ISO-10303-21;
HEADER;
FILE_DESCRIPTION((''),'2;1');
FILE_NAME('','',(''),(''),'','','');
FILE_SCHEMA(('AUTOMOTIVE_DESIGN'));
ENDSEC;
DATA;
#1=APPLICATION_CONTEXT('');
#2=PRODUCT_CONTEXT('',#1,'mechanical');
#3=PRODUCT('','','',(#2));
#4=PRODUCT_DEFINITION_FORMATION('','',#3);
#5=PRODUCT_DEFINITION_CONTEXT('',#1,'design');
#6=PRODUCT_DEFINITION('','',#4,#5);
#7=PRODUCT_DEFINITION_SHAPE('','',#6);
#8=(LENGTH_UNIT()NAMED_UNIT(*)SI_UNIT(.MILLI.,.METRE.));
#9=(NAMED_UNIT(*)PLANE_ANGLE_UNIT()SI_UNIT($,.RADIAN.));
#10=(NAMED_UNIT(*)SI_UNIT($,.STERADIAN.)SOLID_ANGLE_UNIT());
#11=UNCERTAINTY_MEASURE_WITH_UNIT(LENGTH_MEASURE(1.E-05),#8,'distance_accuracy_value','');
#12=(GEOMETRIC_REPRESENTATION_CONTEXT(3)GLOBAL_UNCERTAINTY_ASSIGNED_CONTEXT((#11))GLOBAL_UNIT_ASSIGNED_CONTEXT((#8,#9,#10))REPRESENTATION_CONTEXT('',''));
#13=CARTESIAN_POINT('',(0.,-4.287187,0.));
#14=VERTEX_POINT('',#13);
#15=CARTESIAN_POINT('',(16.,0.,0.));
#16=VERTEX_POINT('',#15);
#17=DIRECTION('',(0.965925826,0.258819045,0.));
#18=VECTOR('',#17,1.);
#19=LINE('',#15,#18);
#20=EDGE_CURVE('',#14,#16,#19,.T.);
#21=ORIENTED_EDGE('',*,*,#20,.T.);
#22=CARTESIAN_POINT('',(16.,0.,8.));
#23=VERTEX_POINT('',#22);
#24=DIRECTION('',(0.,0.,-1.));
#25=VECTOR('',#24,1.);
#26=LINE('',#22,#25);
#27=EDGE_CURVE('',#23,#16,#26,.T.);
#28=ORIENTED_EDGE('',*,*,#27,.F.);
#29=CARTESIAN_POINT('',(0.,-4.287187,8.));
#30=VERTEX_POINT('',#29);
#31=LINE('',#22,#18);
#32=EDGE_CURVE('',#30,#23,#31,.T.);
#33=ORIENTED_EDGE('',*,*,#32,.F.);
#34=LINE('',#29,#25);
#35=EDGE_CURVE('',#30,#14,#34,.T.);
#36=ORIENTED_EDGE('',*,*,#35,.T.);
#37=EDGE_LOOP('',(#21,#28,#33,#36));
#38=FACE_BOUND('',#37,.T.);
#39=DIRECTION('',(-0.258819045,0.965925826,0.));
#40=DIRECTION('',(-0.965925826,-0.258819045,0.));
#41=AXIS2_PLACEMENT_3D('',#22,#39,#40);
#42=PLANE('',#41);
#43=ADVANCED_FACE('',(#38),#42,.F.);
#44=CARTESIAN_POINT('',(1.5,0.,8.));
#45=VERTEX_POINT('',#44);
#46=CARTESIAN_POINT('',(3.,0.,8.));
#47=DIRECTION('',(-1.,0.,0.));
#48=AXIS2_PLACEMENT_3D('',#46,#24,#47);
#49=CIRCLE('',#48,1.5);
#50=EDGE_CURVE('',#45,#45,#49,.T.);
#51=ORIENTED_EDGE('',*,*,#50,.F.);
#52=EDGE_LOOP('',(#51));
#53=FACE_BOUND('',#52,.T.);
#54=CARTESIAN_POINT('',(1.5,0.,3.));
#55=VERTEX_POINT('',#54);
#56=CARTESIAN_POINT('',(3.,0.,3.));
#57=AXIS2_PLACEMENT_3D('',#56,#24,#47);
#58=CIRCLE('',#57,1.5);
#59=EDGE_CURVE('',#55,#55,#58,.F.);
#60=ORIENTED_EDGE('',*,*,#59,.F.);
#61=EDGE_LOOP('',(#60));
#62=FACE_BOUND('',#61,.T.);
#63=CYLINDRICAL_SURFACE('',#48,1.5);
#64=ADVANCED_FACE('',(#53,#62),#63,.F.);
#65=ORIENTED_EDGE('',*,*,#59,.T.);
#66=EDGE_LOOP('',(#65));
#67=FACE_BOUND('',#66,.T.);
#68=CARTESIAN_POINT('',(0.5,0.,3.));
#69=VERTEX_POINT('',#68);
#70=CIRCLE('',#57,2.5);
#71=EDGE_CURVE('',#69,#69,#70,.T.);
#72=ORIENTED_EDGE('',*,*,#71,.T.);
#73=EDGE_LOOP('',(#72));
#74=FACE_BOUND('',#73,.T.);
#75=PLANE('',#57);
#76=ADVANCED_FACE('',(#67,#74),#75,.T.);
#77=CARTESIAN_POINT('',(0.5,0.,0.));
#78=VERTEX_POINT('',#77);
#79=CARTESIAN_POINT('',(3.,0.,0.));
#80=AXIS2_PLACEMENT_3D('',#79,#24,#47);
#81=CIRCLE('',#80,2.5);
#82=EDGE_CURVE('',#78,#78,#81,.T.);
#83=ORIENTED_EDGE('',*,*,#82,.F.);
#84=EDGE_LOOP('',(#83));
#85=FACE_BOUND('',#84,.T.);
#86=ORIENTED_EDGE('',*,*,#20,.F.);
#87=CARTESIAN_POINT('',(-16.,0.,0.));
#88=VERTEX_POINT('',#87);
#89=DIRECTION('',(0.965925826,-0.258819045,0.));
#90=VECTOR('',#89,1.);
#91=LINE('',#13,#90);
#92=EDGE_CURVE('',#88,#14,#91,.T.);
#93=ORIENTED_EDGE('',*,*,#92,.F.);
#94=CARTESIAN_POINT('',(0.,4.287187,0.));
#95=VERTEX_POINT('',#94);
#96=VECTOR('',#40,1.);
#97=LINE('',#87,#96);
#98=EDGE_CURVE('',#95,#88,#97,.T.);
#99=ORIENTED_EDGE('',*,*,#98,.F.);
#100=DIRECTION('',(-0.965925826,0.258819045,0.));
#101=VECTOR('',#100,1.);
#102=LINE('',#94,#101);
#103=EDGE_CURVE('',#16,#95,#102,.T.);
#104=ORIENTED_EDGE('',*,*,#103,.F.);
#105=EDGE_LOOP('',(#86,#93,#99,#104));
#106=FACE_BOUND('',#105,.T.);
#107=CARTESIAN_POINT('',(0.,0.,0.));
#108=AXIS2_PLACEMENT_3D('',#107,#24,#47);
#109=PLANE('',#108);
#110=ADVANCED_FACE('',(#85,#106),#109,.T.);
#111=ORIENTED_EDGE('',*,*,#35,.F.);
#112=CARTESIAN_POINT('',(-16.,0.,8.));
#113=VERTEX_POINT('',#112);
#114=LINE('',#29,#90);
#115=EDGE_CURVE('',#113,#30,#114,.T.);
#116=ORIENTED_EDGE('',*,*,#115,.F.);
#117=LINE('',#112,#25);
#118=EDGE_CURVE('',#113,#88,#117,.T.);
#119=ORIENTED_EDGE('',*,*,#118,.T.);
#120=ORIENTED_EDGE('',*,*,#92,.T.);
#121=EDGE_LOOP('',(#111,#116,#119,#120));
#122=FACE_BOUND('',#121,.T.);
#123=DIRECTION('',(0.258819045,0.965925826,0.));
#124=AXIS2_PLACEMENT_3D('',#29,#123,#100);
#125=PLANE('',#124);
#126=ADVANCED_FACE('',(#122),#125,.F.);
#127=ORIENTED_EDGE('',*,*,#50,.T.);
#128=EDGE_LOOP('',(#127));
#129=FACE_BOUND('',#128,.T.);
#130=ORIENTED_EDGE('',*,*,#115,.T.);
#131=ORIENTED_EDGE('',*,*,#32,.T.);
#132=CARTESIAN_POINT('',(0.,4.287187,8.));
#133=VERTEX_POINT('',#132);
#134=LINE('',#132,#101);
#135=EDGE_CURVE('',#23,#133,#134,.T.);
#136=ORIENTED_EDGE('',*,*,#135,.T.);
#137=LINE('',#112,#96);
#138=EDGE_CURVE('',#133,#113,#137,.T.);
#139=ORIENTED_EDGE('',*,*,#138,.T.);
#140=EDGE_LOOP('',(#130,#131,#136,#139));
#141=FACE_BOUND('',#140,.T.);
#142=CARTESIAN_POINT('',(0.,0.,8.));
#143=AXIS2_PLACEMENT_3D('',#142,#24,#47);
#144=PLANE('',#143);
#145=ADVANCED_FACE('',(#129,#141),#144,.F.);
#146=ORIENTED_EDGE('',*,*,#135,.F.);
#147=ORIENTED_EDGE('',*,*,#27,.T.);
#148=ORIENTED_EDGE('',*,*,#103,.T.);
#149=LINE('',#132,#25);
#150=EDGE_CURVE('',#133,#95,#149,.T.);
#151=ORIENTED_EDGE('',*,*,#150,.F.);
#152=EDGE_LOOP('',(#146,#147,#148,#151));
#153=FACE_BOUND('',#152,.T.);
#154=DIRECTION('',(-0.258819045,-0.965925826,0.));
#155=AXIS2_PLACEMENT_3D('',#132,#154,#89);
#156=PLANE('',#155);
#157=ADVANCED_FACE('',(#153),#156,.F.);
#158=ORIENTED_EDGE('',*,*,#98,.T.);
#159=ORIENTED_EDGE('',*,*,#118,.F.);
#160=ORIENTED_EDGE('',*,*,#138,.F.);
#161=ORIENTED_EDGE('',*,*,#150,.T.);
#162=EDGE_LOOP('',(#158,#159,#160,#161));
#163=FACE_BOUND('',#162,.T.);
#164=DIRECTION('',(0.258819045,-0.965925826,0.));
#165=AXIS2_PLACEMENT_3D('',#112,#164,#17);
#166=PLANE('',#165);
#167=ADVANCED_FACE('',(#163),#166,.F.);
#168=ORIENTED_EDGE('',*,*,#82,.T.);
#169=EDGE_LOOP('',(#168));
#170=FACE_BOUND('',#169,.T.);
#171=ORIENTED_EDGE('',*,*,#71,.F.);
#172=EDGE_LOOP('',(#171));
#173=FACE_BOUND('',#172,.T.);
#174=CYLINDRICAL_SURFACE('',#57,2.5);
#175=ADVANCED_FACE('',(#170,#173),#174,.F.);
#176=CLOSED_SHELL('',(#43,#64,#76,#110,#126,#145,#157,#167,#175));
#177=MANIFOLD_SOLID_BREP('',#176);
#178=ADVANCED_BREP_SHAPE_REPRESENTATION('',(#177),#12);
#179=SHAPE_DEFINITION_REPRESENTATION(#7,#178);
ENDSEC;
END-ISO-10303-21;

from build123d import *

# Parameters (mm, degrees)
EXTRUDE_1_DEPTH     = 8
SKETCH_2_R          = 1.5
CUT_EXTRUDE_1_DEPTH = 9
SKETCH_3_R          = 2.5
CUT_EXTRUDE_2_DEPTH = 3


with BuildPart() as part:
    # 草图1 → 凸台-拉伸1 (new body)
    with BuildSketch(Plane.XY):
        Polygon((-16, 0), (0, 4.287187079), (16, 0), (0, -4.287187079), align=None)
    extrude(amount=EXTRUDE_1_DEPTH)

    # 草图2 → 切除-拉伸1 (cut, through all)
    with BuildSketch(Plane(origin=(0, 0, 0), x_dir=(-1, 0, 0), z_dir=(0, 0, -1))):
        with Locations((-3, 0)):
            Circle(SKETCH_2_R)
    extrude(amount=-CUT_EXTRUDE_1_DEPTH, mode=Mode.SUBTRACT)

    # 草图3 → 切除-拉伸2 (cut)
    with BuildSketch(Plane(origin=(0, 0, 0), x_dir=(-1, 0, 0), z_dir=(0, 0, -1))):
        with Locations((-3, 0)):
            Circle(SKETCH_3_R)
    extrude(amount=-CUT_EXTRUDE_2_DEPTH, mode=Mode.SUBTRACT)


solid = part.part
